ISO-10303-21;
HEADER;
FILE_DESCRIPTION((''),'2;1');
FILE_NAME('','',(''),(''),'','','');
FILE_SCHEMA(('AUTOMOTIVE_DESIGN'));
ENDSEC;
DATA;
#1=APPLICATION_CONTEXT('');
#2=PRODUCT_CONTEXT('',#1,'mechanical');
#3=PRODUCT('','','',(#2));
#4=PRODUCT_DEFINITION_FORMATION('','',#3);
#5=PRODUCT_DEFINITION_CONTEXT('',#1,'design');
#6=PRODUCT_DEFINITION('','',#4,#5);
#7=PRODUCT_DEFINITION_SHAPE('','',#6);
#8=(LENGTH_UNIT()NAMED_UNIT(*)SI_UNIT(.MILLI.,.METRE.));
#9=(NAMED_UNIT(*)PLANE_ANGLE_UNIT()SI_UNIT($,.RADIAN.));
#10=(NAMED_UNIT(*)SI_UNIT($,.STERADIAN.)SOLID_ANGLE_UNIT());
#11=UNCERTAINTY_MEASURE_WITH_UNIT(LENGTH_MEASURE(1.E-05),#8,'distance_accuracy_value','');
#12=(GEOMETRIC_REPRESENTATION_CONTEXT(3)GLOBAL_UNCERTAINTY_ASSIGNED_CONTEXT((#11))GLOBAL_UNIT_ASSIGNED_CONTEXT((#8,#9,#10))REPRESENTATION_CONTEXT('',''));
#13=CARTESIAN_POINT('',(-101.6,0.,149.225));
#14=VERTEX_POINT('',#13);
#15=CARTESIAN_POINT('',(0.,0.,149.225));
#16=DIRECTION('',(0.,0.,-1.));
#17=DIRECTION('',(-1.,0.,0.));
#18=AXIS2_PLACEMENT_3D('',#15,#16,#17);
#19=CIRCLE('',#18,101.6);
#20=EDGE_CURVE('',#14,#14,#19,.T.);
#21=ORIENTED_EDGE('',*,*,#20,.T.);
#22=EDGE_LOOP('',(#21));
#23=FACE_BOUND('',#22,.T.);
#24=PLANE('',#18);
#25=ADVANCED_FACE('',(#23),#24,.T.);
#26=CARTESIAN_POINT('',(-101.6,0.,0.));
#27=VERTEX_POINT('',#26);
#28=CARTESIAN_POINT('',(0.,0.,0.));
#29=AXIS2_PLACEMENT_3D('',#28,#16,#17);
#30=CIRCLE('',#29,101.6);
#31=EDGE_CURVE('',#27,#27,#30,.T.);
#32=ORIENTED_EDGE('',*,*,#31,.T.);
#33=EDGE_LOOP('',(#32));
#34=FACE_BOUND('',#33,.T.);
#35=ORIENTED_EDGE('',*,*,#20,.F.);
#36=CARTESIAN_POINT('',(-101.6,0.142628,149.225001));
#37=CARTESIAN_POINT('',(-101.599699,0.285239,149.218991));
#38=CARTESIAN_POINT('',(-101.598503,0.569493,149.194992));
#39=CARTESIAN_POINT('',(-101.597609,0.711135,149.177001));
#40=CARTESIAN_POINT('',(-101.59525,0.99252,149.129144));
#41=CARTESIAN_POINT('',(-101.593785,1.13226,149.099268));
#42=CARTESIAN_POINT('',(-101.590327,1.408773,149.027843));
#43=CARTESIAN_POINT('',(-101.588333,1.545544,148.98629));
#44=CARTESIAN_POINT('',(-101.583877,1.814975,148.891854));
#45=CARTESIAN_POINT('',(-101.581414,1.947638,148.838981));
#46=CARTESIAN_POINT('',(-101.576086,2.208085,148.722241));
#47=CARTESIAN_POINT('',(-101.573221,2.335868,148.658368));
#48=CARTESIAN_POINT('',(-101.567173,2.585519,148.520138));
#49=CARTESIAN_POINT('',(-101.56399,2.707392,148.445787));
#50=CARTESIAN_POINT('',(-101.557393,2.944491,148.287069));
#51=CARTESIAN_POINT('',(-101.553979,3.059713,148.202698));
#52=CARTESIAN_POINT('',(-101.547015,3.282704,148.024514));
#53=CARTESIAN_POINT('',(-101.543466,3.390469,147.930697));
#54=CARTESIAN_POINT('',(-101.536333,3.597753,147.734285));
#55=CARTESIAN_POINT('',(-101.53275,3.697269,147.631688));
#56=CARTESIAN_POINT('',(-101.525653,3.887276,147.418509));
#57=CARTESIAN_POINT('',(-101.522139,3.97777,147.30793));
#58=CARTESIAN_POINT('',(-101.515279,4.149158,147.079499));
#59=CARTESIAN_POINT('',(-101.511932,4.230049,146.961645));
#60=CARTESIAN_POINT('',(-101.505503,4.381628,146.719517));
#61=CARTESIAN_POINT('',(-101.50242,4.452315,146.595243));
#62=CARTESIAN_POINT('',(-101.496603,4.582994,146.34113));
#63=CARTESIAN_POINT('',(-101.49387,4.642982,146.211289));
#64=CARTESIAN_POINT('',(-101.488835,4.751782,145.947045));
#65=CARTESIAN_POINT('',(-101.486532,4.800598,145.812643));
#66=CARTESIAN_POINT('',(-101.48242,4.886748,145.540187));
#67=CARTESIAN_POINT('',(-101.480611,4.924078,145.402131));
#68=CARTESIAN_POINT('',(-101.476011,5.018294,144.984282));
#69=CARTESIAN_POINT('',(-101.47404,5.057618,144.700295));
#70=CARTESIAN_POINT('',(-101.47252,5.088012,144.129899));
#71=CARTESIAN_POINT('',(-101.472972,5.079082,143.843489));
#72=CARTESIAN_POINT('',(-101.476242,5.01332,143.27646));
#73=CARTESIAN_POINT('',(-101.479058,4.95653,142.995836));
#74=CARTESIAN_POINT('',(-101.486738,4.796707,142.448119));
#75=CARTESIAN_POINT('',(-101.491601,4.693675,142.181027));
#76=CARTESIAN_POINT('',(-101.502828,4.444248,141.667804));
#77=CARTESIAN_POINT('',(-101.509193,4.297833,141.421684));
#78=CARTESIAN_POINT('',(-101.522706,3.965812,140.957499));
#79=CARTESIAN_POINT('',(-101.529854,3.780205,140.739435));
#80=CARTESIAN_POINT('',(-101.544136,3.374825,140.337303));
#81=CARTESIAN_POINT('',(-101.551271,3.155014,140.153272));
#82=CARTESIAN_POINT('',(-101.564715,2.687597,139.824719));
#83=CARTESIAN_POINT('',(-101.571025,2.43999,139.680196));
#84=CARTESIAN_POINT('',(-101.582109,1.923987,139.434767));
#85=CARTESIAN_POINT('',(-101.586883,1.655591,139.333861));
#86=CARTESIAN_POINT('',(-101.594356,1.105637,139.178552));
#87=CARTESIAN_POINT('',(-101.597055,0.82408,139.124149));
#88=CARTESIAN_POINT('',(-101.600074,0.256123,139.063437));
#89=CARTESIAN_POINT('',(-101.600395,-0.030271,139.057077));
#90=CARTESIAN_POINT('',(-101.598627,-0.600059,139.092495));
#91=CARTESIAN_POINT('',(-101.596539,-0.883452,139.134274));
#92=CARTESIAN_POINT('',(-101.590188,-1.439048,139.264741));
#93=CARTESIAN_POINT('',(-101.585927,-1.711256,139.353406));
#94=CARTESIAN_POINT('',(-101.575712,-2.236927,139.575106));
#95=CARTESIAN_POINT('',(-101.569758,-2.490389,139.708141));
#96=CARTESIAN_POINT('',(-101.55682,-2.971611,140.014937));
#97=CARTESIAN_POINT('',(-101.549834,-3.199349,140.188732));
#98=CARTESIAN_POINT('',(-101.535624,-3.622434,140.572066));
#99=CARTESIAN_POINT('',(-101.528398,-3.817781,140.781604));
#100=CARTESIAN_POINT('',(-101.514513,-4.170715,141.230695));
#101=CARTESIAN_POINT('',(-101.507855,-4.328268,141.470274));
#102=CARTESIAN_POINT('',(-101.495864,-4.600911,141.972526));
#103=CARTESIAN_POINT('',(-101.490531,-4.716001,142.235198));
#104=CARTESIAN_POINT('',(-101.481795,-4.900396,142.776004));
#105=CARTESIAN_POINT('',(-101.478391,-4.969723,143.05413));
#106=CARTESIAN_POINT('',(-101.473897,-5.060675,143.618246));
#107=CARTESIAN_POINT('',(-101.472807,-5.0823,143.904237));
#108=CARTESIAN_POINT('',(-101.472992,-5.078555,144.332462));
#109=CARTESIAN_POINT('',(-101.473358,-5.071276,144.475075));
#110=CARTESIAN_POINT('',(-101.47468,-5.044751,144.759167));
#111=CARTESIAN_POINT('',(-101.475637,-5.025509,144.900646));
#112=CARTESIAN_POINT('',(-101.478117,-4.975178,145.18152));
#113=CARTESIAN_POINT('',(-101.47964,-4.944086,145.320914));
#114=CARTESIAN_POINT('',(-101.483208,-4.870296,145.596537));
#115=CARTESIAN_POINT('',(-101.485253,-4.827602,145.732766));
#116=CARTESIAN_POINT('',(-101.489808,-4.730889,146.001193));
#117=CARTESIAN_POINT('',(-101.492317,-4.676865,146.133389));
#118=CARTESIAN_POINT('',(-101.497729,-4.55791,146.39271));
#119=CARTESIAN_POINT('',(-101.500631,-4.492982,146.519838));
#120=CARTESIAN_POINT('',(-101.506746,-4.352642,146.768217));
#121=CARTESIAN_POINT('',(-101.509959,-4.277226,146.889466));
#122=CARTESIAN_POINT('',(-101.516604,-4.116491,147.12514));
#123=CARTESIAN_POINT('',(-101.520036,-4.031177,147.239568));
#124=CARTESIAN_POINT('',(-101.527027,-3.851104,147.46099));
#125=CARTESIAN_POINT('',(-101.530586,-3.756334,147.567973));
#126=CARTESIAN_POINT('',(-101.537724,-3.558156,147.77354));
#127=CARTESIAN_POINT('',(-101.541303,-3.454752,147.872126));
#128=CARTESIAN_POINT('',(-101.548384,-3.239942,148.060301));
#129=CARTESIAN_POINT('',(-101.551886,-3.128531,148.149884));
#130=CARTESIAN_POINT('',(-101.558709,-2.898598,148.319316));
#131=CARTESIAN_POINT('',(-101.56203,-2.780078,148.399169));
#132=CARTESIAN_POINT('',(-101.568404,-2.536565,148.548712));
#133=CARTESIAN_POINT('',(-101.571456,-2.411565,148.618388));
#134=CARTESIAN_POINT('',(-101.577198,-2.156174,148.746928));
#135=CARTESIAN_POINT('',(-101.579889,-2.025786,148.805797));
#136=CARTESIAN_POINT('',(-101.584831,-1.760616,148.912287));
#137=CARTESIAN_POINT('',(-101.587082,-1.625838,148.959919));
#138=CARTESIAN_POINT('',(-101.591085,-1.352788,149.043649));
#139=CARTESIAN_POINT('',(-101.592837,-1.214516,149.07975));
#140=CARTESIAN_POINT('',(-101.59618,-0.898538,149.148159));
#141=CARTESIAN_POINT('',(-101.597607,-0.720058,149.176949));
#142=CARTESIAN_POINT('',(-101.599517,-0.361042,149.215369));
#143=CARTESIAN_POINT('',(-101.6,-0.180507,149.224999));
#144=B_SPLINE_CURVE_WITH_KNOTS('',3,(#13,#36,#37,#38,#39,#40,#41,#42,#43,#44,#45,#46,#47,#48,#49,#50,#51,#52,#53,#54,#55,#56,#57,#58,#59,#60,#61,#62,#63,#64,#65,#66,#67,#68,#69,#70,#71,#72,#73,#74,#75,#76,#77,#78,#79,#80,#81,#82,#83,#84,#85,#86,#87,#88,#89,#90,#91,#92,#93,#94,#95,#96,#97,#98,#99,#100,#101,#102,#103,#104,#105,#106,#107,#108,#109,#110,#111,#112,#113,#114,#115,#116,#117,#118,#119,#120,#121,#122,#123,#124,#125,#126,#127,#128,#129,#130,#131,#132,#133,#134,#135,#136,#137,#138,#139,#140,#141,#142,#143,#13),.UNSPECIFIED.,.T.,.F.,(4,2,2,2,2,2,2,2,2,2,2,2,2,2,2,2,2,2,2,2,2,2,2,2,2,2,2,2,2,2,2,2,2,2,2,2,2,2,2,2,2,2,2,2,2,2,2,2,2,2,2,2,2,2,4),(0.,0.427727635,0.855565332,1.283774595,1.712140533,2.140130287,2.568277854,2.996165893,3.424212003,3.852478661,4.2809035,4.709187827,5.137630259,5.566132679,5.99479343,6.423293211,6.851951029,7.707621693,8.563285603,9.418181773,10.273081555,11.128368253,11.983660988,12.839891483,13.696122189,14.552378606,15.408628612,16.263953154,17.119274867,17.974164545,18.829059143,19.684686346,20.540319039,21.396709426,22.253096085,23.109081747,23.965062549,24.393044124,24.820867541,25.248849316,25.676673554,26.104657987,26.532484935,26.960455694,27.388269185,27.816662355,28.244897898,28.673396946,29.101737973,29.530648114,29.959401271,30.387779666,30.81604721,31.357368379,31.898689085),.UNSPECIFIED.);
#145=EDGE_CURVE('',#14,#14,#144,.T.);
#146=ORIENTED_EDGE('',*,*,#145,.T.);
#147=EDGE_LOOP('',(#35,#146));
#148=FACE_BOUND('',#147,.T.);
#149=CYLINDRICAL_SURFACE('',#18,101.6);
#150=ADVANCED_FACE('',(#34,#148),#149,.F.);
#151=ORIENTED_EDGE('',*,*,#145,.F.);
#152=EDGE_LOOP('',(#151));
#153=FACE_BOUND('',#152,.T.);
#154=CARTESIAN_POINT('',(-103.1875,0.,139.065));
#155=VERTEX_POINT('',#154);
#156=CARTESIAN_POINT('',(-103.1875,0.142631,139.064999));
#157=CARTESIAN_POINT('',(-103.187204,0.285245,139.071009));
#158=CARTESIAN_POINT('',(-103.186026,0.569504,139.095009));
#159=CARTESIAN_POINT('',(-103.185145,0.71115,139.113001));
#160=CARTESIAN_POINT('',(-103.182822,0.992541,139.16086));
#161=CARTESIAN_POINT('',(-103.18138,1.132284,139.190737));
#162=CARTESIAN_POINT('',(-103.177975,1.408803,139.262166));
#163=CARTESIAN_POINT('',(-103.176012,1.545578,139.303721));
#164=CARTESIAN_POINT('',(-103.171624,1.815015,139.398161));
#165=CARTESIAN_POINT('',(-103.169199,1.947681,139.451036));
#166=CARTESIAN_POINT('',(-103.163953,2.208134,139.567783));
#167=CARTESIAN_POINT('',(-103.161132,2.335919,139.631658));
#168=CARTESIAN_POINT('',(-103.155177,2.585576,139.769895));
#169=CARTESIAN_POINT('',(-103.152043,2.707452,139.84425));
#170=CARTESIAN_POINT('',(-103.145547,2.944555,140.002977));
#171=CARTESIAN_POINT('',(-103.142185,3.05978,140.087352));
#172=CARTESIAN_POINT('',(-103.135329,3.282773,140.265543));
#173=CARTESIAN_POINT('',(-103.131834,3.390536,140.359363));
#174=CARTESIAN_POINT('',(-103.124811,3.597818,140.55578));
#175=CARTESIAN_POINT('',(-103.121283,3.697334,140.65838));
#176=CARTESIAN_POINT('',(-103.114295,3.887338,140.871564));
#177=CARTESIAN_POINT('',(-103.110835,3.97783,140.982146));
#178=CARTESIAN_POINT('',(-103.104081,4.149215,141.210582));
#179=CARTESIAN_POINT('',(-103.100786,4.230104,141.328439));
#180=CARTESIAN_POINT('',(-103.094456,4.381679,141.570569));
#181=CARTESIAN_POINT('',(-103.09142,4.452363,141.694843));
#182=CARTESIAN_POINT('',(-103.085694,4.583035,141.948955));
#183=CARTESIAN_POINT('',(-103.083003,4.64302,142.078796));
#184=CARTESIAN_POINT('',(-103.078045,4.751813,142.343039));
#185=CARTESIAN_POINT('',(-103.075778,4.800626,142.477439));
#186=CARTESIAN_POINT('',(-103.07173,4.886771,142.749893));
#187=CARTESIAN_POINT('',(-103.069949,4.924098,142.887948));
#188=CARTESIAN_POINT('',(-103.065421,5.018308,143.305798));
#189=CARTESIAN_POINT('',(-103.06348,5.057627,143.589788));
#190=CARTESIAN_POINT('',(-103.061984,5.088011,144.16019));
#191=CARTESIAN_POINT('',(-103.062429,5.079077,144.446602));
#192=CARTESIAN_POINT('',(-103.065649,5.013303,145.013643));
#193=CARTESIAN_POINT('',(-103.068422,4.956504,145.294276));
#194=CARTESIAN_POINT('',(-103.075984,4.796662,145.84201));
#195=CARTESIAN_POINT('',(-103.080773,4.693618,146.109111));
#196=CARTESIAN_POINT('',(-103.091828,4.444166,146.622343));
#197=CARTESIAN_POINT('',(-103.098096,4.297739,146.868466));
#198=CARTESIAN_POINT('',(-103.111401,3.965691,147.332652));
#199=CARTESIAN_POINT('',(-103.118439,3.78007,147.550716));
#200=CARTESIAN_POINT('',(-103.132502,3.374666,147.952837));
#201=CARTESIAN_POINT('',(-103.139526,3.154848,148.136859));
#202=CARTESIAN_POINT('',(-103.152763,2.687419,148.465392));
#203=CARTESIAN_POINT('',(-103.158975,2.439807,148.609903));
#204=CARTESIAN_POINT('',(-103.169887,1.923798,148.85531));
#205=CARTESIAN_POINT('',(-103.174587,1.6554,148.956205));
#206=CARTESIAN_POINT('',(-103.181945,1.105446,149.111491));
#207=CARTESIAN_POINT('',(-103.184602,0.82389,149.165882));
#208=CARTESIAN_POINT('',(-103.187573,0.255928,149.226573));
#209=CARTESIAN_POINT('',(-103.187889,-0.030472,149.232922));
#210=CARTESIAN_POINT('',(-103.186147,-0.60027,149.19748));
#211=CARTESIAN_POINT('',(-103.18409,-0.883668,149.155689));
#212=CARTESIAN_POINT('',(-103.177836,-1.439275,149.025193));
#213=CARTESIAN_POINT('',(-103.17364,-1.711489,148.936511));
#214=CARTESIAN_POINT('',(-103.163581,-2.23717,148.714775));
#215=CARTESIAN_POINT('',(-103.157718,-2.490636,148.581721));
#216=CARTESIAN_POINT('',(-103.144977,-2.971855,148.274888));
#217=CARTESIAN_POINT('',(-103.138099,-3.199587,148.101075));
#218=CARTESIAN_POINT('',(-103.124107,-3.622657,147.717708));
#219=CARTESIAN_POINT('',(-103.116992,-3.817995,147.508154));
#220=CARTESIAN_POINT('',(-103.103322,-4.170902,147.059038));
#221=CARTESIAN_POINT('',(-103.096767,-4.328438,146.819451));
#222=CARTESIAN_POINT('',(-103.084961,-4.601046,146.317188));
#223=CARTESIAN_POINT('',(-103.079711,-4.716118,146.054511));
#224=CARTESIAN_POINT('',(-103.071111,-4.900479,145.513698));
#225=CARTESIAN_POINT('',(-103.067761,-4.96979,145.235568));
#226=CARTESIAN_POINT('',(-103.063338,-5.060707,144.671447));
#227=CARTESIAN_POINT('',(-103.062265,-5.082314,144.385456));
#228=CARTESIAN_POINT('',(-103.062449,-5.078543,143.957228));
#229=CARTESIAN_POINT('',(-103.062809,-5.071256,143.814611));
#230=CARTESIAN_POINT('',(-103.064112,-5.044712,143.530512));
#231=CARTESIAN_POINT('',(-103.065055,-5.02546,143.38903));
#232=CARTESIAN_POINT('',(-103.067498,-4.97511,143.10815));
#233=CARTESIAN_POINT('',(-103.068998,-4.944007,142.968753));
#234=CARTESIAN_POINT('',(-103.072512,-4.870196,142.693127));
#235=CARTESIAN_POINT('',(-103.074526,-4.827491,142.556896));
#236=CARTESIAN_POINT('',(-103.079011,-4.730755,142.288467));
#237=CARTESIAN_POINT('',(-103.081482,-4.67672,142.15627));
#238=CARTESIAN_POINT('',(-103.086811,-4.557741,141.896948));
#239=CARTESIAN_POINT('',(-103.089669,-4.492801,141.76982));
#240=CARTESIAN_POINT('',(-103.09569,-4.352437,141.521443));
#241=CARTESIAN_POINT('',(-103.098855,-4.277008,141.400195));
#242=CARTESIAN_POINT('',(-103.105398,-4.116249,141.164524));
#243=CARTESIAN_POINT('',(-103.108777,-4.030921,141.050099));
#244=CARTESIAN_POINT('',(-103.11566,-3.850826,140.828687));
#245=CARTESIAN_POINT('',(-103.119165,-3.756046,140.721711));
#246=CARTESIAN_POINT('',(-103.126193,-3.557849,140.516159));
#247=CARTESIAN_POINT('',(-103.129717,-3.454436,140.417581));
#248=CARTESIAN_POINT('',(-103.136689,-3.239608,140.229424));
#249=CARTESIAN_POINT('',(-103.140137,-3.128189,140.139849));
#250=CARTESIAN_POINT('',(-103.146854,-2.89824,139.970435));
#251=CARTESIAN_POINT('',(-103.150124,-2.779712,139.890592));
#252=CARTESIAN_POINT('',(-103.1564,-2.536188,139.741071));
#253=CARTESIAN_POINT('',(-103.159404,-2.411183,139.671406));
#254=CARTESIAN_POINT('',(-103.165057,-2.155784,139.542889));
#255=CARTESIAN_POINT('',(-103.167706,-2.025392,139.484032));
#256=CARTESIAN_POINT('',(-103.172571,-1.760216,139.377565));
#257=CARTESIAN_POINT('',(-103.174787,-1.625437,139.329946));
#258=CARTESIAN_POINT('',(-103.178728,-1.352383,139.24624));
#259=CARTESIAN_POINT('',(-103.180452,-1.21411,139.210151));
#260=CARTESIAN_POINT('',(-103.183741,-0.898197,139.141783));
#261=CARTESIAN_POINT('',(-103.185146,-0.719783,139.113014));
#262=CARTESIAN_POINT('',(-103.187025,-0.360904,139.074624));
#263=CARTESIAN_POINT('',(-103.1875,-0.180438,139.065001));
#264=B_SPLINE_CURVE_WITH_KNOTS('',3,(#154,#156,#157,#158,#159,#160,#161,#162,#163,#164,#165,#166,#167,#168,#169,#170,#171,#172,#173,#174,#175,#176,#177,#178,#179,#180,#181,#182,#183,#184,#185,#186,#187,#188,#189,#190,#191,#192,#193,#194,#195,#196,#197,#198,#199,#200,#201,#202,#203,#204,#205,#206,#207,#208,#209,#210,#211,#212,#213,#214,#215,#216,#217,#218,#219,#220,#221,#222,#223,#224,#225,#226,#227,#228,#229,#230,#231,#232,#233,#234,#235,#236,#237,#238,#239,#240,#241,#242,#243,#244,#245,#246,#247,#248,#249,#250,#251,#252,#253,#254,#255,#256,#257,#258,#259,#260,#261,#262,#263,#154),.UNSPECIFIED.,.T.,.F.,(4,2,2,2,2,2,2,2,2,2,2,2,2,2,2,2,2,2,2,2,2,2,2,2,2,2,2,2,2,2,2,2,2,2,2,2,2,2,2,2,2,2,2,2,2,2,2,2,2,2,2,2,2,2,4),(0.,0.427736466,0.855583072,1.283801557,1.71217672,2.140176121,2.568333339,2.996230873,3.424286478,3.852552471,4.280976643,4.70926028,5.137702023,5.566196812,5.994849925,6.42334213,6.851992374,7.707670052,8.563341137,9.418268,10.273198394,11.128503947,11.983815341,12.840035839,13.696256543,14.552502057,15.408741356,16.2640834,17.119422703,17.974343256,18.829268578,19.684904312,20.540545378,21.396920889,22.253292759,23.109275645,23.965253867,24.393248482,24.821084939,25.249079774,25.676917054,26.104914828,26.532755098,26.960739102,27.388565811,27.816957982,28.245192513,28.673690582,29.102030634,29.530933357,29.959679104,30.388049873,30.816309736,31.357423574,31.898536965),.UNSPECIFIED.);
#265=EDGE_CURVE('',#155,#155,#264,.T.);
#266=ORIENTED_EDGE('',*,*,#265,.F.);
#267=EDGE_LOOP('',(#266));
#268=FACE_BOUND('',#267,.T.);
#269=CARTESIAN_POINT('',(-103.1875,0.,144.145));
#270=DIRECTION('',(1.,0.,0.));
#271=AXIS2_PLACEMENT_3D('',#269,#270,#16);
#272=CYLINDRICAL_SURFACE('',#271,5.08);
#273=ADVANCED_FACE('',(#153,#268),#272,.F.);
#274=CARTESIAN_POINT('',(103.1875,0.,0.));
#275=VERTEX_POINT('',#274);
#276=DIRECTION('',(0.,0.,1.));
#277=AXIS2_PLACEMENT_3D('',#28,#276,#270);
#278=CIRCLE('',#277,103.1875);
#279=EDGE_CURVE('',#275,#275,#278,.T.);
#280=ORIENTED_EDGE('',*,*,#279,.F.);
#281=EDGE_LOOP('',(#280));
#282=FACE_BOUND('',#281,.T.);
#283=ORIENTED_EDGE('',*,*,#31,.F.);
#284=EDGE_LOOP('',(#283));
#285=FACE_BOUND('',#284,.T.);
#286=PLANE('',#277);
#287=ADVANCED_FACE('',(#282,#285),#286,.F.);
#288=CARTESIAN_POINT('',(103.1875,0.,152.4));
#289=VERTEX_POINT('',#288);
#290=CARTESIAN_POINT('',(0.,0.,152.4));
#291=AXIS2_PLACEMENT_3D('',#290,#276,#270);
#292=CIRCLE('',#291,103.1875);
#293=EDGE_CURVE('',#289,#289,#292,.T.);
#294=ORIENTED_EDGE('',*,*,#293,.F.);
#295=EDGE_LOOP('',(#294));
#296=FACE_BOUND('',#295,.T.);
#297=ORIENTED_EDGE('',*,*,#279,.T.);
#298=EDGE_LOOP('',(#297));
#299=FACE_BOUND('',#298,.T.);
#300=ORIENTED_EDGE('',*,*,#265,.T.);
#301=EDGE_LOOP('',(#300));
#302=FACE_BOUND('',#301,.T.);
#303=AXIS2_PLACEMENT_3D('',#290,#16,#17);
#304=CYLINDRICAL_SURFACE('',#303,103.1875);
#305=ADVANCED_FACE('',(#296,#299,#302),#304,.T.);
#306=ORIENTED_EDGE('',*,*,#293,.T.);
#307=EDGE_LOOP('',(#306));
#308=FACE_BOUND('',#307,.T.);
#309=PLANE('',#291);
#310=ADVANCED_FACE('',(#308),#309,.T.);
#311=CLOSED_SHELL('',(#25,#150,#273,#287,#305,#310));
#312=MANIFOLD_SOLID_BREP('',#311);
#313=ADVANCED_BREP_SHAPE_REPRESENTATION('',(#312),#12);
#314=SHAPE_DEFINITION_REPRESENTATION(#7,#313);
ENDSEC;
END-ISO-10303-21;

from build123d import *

# Parameters (mm, degrees)
SKETCH1_R           = 103.1875
BOSS_EXTRUDE1_DEPTH = 152.4
SKETCH2_R           = 101.6
CUT_EXTRUDE1_DEPTH  = 149.225
SKETCH3_R           = 5.08
CUT_EXTRUDE2_DEPTH  = 212.000190314


with BuildPart() as part:
    # Sketch1 → Boss-Extrude1 (new body)
    with BuildSketch(Plane.XY):
        with Locations(Location((0, 0, 0), (0, 0, 180))):
            Circle(SKETCH1_R)
    extrude(amount=BOSS_EXTRUDE1_DEPTH)

    # Sketch2 → Cut-Extrude1 (cut)
    with BuildSketch(Plane(origin=(0, 0, 0), x_dir=(-1, 0, 0), z_dir=(0, 0, -1))):
        Circle(SKETCH2_R)
    extrude(amount=-CUT_EXTRUDE1_DEPTH, mode=Mode.SUBTRACT)

    # Sketch3 → Cut-Extrude2 (cut, through all)
    with BuildSketch(Plane(origin=(0, 0, 0), x_dir=(0, 0, -1), z_dir=(1, 0, 0))):
        with Locations((-144.145, 0)):
            Circle(SKETCH3_R)
    extrude(amount=-CUT_EXTRUDE2_DEPTH, mode=Mode.SUBTRACT)


solid = part.part
